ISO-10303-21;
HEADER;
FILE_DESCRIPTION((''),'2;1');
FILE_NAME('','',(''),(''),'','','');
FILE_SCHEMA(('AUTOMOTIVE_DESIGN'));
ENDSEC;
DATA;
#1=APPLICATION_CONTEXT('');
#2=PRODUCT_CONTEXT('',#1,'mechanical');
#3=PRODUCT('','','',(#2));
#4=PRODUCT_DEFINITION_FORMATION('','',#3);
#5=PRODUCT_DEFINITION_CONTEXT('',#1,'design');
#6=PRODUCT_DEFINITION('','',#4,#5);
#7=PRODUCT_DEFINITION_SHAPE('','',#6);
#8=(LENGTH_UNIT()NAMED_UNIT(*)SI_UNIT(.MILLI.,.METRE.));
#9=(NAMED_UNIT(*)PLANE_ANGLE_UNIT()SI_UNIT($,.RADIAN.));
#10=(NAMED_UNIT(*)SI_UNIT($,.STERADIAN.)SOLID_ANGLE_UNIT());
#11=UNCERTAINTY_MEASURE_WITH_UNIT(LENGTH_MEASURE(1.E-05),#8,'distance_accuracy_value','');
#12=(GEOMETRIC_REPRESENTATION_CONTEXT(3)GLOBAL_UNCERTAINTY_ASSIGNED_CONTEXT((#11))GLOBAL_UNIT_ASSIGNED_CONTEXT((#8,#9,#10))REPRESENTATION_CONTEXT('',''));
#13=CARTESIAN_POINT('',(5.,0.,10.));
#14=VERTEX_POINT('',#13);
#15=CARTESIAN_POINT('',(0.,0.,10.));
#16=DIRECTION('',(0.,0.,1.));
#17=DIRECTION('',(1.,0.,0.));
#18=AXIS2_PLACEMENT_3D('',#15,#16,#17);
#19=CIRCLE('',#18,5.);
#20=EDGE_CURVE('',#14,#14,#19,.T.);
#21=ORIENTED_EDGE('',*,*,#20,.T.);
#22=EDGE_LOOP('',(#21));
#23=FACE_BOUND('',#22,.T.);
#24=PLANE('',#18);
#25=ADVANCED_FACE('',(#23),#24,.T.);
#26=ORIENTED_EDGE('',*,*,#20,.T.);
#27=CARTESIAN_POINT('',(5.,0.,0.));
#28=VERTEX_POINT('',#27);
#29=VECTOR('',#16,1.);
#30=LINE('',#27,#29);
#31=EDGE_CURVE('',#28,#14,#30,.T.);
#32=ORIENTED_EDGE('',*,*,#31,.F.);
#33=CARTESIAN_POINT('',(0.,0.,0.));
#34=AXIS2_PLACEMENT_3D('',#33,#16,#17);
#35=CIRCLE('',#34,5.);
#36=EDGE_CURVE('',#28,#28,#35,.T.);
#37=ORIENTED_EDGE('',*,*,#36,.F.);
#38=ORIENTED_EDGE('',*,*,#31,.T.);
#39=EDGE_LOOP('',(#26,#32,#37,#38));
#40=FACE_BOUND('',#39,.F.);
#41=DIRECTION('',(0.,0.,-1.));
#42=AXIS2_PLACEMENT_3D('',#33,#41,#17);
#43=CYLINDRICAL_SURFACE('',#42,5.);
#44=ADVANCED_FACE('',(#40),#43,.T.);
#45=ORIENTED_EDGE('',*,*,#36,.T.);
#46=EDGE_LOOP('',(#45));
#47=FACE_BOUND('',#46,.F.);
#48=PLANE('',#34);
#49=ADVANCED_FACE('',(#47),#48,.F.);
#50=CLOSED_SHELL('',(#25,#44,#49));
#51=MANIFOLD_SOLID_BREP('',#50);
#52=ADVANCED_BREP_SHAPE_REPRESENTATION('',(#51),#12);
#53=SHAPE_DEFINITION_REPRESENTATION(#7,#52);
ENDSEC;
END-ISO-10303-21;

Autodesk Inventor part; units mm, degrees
ref_plane "YZ Plane" through (0, 0, 0) normal (1, 0, 0) x (0, 1, 0)
ref_plane "XZ Plane" through (0, 0, 0) normal (0, 1, 0) x (-1, 0, 0)
ref_plane "XY Plane" through (0, 0, 0) normal (0, 0, 1) x (1, 0, 0)
sketch "Sketch1" plane through (0, 0, 0) normal (0, 0, 1) x (1, 0, 0)
  circle A0 centre (0, 0) radius 5
  dimension "d0" = 10
extrude "Extrusion1" add sketch "Sketch1" along normal blind 10
